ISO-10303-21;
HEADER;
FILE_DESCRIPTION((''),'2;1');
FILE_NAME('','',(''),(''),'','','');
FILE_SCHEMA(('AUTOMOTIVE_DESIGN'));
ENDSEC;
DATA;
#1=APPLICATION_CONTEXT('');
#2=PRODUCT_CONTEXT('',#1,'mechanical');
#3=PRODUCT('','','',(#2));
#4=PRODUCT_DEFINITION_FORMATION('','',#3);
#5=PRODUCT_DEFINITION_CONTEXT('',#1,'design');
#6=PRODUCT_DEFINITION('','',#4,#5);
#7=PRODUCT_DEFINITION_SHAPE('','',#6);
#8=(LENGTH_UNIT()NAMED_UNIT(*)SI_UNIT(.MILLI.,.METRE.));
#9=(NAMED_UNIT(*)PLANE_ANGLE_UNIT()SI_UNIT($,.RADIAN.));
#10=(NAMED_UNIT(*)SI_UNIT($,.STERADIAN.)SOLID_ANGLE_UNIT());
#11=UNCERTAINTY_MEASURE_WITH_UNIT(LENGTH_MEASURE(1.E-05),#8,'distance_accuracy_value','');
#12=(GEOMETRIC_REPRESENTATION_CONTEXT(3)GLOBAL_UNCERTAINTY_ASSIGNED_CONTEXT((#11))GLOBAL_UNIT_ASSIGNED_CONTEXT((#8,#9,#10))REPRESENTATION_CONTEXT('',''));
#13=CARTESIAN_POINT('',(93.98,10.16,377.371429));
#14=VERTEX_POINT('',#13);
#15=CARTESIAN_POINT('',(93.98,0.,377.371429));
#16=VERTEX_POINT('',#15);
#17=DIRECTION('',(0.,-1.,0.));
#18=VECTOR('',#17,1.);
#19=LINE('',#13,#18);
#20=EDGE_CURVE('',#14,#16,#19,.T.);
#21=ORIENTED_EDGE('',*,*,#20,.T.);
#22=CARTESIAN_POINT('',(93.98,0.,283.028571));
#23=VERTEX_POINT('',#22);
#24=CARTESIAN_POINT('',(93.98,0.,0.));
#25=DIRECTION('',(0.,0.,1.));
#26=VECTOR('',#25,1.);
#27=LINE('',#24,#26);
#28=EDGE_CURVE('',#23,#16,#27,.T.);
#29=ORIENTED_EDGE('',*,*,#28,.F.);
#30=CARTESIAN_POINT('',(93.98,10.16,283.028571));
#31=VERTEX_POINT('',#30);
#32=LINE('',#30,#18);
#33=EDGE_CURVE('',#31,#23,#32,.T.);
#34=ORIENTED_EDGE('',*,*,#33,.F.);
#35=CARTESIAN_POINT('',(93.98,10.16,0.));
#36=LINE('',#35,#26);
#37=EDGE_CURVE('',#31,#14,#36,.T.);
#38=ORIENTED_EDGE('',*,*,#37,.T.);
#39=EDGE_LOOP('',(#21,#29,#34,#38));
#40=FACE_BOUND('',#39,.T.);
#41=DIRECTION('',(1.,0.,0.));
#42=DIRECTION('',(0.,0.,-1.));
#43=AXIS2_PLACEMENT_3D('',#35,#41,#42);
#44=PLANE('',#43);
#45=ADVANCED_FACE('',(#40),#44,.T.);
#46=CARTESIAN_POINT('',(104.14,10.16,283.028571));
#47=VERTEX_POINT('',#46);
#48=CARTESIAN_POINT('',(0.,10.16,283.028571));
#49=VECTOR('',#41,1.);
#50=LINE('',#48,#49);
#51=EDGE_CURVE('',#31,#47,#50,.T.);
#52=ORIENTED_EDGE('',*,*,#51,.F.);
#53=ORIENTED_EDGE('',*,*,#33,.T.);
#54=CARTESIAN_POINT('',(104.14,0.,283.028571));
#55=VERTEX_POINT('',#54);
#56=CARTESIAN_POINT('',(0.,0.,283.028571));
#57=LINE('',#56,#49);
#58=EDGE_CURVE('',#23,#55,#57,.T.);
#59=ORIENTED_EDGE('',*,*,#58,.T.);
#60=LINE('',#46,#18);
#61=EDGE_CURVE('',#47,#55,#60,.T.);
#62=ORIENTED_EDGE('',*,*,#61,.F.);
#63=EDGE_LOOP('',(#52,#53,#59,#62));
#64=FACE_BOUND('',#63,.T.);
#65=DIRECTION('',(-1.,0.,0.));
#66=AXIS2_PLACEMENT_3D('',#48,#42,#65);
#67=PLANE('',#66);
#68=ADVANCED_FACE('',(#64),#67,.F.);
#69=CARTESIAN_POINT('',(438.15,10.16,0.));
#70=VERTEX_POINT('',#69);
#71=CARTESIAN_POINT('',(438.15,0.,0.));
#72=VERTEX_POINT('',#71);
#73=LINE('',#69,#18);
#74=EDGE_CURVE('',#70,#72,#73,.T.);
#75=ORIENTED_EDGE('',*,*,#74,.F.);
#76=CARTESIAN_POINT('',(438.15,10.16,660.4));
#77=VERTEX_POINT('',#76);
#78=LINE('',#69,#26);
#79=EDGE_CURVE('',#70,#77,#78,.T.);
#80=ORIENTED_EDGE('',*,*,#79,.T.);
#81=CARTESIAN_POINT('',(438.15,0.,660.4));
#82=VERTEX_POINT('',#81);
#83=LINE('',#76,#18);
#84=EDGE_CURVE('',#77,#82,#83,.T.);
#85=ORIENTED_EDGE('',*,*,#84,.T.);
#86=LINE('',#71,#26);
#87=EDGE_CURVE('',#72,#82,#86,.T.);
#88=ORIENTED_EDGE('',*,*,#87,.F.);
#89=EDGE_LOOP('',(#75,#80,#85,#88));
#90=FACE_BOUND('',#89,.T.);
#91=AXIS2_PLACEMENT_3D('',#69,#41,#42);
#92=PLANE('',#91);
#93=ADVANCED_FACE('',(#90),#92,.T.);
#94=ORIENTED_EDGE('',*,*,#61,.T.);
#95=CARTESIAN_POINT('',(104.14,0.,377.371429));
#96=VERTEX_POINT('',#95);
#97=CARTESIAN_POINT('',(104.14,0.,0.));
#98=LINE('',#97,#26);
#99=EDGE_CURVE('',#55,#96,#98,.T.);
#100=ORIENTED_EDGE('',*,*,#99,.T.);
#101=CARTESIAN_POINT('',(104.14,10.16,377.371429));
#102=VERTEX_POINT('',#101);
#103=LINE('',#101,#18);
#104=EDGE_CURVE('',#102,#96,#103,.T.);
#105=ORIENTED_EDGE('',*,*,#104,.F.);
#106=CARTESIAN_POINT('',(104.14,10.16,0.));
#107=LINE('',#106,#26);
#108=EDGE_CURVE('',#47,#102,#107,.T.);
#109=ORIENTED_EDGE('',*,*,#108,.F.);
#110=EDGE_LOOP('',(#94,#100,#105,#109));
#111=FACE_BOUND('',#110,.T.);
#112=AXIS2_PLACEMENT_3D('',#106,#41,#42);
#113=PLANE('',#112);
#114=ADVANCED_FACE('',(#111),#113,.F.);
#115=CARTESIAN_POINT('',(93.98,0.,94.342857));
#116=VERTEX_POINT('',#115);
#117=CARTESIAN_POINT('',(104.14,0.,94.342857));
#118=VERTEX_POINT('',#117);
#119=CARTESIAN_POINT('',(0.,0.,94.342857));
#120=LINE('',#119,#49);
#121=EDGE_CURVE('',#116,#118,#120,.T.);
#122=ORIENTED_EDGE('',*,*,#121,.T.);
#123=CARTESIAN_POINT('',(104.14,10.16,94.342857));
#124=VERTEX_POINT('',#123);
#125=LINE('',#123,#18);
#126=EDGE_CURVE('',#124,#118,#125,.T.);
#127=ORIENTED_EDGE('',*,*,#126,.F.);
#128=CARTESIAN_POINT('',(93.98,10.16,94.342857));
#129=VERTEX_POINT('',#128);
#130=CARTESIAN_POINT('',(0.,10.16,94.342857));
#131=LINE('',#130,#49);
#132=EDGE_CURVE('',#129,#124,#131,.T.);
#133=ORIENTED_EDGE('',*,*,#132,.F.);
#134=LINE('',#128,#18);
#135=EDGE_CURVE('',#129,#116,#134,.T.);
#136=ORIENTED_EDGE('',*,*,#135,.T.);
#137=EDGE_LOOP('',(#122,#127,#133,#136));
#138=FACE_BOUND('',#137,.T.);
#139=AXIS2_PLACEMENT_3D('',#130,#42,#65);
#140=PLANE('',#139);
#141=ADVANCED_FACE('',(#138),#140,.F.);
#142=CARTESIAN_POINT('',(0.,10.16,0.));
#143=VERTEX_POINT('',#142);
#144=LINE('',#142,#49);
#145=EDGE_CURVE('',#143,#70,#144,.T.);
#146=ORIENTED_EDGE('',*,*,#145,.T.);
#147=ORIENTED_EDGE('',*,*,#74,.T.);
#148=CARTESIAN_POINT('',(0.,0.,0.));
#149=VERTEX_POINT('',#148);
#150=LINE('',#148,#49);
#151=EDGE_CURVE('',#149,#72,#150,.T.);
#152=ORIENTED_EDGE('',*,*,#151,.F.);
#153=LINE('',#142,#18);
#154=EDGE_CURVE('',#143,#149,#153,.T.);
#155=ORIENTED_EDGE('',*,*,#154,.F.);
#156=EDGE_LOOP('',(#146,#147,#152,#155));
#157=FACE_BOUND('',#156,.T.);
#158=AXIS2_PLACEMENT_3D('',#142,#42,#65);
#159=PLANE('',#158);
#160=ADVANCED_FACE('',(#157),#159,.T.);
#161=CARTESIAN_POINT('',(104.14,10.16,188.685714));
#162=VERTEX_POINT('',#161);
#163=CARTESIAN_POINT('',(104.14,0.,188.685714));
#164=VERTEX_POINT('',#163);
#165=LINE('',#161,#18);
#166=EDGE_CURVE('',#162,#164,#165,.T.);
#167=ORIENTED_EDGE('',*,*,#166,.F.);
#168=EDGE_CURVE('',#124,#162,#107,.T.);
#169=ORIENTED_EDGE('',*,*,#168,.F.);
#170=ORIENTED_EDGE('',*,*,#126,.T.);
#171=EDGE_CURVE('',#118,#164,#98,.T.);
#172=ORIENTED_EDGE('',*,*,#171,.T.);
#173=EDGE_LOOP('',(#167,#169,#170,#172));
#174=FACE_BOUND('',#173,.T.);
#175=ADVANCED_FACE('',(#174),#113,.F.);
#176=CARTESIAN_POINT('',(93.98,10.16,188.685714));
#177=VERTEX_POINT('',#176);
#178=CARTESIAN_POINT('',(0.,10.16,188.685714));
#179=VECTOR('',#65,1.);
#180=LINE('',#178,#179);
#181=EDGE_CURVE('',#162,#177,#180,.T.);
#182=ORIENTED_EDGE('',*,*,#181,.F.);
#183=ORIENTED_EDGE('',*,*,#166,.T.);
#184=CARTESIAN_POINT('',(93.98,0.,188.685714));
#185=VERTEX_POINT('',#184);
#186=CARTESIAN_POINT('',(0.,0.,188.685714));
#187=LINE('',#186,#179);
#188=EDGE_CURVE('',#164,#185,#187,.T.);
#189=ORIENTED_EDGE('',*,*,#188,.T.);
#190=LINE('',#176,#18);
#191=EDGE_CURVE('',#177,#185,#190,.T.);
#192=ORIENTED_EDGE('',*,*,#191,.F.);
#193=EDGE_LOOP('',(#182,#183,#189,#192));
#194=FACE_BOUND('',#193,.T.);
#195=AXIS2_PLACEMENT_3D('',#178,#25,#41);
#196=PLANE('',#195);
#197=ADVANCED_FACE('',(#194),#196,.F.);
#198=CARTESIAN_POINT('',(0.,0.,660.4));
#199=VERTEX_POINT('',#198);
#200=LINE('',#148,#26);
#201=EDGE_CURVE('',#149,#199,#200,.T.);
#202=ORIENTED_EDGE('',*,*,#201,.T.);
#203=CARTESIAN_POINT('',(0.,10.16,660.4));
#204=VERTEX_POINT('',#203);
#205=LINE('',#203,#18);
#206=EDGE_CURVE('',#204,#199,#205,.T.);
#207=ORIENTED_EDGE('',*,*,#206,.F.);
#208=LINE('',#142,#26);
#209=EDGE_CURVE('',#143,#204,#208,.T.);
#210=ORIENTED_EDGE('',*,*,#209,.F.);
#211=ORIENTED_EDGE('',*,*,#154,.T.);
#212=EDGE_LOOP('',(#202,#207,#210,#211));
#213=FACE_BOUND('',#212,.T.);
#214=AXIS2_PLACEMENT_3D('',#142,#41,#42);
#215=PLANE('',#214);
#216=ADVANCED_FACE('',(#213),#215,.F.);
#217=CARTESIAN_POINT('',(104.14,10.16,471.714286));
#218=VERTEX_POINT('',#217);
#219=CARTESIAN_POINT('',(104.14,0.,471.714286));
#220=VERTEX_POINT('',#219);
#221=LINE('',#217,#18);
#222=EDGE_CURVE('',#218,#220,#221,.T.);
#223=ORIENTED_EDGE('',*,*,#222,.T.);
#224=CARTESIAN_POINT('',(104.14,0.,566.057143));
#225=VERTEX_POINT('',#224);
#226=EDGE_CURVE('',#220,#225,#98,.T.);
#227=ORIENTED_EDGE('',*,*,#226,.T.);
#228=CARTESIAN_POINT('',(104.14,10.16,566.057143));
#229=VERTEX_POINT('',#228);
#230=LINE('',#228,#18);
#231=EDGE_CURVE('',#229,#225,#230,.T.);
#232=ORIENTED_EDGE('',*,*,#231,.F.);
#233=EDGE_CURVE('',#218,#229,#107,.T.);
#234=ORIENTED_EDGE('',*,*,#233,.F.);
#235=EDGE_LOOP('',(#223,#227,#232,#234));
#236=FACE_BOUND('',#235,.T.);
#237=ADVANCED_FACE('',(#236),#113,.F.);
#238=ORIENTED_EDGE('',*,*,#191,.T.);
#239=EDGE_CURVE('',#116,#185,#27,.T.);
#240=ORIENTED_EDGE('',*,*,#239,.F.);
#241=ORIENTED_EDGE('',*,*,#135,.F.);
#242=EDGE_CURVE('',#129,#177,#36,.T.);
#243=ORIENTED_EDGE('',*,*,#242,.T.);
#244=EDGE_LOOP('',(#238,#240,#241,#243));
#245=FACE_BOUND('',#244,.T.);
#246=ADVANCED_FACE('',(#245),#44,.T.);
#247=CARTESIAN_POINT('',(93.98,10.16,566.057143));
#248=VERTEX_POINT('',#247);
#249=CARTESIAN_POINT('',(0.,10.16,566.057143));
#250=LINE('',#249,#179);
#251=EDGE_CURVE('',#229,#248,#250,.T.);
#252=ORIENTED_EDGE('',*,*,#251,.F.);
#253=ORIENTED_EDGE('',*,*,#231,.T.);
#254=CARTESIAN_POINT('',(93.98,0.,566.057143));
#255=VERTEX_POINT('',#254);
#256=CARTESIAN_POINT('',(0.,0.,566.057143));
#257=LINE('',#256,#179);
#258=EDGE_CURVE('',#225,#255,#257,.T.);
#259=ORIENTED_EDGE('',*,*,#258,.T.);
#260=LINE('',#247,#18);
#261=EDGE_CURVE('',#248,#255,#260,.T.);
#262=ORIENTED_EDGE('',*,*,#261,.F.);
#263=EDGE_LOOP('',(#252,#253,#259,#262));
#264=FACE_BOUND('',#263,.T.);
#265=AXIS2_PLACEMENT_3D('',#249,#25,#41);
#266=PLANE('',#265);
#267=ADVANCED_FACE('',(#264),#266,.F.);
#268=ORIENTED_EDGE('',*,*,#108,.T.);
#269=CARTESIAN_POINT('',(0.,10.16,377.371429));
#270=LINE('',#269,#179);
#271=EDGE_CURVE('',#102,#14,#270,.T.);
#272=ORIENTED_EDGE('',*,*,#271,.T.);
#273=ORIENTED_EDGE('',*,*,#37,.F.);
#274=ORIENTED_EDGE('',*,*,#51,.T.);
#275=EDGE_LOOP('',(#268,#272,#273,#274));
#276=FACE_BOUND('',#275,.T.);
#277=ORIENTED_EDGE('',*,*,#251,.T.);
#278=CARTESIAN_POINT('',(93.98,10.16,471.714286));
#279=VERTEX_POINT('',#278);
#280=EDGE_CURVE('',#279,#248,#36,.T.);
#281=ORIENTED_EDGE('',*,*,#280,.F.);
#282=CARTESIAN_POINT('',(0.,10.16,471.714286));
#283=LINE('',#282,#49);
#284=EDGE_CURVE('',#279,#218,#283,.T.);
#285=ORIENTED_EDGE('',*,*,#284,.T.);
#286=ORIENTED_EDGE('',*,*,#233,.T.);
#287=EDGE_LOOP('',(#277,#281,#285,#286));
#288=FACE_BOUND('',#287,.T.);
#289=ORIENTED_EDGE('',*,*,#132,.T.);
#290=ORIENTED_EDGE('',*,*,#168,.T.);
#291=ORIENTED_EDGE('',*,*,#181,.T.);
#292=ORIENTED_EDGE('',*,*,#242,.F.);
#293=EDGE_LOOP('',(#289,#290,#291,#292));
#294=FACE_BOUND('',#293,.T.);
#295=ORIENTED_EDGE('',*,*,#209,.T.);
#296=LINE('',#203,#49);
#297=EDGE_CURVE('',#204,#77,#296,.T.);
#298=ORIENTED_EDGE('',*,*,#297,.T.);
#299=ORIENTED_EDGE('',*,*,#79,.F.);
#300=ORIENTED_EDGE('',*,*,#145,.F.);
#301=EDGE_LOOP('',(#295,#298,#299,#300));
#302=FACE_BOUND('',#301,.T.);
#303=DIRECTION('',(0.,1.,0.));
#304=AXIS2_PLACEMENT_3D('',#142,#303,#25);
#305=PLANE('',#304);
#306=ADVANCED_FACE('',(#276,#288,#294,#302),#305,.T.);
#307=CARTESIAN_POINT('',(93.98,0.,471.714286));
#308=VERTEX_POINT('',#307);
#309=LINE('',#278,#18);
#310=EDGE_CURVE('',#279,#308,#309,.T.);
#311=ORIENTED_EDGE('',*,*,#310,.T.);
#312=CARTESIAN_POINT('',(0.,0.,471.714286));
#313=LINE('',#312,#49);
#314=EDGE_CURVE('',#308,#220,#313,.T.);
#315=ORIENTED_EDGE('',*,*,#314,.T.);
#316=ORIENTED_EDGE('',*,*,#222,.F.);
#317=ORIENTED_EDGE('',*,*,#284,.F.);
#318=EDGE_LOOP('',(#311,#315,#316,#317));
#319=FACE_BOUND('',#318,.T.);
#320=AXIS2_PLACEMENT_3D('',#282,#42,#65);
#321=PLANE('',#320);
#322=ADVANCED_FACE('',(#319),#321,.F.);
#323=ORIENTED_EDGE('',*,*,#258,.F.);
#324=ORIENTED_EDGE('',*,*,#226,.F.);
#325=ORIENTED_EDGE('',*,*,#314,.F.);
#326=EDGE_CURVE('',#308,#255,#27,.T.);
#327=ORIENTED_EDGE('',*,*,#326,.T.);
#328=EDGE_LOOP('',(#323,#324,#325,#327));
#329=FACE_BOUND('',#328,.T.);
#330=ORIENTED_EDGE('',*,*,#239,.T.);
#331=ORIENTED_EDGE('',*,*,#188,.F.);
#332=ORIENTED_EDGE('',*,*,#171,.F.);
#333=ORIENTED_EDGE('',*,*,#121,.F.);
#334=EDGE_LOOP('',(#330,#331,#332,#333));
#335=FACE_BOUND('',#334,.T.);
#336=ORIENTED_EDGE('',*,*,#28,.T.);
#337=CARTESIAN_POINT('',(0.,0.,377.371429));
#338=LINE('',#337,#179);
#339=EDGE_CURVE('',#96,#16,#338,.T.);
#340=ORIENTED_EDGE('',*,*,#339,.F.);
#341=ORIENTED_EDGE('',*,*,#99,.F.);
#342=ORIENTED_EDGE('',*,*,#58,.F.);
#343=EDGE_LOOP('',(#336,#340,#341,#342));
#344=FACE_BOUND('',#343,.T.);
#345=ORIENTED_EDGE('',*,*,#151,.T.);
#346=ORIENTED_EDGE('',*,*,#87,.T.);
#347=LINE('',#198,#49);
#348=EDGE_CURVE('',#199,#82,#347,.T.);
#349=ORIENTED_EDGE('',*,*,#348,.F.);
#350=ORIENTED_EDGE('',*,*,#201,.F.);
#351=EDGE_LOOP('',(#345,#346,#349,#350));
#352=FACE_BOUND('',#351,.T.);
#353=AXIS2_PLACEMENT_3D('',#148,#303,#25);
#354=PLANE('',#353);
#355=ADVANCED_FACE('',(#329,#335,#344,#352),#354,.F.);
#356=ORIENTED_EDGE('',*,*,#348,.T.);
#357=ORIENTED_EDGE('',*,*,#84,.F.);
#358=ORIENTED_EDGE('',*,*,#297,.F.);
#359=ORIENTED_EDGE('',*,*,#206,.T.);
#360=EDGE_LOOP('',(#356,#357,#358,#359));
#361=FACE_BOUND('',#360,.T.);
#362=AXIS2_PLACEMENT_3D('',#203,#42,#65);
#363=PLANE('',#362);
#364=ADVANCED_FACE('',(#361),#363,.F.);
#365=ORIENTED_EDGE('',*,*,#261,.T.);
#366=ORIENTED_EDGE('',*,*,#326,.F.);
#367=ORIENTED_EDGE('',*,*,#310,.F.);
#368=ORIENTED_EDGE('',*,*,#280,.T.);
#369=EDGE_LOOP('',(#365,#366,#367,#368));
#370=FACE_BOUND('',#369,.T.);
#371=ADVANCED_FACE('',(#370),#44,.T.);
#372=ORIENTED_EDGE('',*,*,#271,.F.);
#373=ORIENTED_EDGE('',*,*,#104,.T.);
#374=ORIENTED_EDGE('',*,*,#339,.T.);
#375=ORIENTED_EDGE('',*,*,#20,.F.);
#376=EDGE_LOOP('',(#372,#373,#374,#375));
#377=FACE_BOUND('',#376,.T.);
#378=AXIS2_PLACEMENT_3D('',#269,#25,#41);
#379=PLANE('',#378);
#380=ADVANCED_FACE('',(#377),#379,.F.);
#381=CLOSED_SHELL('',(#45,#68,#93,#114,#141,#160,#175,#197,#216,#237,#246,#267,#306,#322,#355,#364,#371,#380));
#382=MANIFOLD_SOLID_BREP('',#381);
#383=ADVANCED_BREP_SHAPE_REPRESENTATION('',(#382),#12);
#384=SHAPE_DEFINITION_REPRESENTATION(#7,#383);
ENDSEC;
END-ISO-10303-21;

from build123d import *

# Parameters (mm, degrees)
SKETCH1_W           = 10.16
SKETCH1_H           = 94.342857143
BOSS_EXTRUDE1_DEPTH = 10.16


with BuildPart() as part:
    # Sketch1 → Boss-Extrude1 (new body)
    with BuildSketch(Plane(origin=(0, 0, 0), x_dir=(1, 0, 0), z_dir=(0, 1, 0))):
        Polygon((93.98, 0), (0, 0), (0, -660.4), (93.98, -660.4), (93.98, -566.057142857), (93.98, -471.714285714), (93.98, -377.371428571), (93.98, -283.028571429), (93.98, -188.685714286), (93.98, -94.342857143), align=None)
        Polygon((438.15, 0), (104.14, 0), (104.14, -94.342857143), (104.14, -188.685714286), (104.14, -283.028571429), (104.14, -377.371428571), (104.14, -471.714285714), (104.14, -566.057142857), (104.14, -660.4), (438.15, -660.4), align=None)
        with Locations((99.06, -47.171428572)):
            Rectangle(SKETCH1_W, SKETCH1_H)
        with Locations((99.06, -235.857142858)):
            Rectangle(SKETCH1_W, SKETCH1_H)
        with Locations((99.06, -424.542857142)):
            Rectangle(SKETCH1_W, SKETCH1_H)
        with Locations((99.06, -613.228571429)):
            Rectangle(SKETCH1_W, SKETCH1_H)
    extrude(amount=BOSS_EXTRUDE1_DEPTH)


solid = part.part
